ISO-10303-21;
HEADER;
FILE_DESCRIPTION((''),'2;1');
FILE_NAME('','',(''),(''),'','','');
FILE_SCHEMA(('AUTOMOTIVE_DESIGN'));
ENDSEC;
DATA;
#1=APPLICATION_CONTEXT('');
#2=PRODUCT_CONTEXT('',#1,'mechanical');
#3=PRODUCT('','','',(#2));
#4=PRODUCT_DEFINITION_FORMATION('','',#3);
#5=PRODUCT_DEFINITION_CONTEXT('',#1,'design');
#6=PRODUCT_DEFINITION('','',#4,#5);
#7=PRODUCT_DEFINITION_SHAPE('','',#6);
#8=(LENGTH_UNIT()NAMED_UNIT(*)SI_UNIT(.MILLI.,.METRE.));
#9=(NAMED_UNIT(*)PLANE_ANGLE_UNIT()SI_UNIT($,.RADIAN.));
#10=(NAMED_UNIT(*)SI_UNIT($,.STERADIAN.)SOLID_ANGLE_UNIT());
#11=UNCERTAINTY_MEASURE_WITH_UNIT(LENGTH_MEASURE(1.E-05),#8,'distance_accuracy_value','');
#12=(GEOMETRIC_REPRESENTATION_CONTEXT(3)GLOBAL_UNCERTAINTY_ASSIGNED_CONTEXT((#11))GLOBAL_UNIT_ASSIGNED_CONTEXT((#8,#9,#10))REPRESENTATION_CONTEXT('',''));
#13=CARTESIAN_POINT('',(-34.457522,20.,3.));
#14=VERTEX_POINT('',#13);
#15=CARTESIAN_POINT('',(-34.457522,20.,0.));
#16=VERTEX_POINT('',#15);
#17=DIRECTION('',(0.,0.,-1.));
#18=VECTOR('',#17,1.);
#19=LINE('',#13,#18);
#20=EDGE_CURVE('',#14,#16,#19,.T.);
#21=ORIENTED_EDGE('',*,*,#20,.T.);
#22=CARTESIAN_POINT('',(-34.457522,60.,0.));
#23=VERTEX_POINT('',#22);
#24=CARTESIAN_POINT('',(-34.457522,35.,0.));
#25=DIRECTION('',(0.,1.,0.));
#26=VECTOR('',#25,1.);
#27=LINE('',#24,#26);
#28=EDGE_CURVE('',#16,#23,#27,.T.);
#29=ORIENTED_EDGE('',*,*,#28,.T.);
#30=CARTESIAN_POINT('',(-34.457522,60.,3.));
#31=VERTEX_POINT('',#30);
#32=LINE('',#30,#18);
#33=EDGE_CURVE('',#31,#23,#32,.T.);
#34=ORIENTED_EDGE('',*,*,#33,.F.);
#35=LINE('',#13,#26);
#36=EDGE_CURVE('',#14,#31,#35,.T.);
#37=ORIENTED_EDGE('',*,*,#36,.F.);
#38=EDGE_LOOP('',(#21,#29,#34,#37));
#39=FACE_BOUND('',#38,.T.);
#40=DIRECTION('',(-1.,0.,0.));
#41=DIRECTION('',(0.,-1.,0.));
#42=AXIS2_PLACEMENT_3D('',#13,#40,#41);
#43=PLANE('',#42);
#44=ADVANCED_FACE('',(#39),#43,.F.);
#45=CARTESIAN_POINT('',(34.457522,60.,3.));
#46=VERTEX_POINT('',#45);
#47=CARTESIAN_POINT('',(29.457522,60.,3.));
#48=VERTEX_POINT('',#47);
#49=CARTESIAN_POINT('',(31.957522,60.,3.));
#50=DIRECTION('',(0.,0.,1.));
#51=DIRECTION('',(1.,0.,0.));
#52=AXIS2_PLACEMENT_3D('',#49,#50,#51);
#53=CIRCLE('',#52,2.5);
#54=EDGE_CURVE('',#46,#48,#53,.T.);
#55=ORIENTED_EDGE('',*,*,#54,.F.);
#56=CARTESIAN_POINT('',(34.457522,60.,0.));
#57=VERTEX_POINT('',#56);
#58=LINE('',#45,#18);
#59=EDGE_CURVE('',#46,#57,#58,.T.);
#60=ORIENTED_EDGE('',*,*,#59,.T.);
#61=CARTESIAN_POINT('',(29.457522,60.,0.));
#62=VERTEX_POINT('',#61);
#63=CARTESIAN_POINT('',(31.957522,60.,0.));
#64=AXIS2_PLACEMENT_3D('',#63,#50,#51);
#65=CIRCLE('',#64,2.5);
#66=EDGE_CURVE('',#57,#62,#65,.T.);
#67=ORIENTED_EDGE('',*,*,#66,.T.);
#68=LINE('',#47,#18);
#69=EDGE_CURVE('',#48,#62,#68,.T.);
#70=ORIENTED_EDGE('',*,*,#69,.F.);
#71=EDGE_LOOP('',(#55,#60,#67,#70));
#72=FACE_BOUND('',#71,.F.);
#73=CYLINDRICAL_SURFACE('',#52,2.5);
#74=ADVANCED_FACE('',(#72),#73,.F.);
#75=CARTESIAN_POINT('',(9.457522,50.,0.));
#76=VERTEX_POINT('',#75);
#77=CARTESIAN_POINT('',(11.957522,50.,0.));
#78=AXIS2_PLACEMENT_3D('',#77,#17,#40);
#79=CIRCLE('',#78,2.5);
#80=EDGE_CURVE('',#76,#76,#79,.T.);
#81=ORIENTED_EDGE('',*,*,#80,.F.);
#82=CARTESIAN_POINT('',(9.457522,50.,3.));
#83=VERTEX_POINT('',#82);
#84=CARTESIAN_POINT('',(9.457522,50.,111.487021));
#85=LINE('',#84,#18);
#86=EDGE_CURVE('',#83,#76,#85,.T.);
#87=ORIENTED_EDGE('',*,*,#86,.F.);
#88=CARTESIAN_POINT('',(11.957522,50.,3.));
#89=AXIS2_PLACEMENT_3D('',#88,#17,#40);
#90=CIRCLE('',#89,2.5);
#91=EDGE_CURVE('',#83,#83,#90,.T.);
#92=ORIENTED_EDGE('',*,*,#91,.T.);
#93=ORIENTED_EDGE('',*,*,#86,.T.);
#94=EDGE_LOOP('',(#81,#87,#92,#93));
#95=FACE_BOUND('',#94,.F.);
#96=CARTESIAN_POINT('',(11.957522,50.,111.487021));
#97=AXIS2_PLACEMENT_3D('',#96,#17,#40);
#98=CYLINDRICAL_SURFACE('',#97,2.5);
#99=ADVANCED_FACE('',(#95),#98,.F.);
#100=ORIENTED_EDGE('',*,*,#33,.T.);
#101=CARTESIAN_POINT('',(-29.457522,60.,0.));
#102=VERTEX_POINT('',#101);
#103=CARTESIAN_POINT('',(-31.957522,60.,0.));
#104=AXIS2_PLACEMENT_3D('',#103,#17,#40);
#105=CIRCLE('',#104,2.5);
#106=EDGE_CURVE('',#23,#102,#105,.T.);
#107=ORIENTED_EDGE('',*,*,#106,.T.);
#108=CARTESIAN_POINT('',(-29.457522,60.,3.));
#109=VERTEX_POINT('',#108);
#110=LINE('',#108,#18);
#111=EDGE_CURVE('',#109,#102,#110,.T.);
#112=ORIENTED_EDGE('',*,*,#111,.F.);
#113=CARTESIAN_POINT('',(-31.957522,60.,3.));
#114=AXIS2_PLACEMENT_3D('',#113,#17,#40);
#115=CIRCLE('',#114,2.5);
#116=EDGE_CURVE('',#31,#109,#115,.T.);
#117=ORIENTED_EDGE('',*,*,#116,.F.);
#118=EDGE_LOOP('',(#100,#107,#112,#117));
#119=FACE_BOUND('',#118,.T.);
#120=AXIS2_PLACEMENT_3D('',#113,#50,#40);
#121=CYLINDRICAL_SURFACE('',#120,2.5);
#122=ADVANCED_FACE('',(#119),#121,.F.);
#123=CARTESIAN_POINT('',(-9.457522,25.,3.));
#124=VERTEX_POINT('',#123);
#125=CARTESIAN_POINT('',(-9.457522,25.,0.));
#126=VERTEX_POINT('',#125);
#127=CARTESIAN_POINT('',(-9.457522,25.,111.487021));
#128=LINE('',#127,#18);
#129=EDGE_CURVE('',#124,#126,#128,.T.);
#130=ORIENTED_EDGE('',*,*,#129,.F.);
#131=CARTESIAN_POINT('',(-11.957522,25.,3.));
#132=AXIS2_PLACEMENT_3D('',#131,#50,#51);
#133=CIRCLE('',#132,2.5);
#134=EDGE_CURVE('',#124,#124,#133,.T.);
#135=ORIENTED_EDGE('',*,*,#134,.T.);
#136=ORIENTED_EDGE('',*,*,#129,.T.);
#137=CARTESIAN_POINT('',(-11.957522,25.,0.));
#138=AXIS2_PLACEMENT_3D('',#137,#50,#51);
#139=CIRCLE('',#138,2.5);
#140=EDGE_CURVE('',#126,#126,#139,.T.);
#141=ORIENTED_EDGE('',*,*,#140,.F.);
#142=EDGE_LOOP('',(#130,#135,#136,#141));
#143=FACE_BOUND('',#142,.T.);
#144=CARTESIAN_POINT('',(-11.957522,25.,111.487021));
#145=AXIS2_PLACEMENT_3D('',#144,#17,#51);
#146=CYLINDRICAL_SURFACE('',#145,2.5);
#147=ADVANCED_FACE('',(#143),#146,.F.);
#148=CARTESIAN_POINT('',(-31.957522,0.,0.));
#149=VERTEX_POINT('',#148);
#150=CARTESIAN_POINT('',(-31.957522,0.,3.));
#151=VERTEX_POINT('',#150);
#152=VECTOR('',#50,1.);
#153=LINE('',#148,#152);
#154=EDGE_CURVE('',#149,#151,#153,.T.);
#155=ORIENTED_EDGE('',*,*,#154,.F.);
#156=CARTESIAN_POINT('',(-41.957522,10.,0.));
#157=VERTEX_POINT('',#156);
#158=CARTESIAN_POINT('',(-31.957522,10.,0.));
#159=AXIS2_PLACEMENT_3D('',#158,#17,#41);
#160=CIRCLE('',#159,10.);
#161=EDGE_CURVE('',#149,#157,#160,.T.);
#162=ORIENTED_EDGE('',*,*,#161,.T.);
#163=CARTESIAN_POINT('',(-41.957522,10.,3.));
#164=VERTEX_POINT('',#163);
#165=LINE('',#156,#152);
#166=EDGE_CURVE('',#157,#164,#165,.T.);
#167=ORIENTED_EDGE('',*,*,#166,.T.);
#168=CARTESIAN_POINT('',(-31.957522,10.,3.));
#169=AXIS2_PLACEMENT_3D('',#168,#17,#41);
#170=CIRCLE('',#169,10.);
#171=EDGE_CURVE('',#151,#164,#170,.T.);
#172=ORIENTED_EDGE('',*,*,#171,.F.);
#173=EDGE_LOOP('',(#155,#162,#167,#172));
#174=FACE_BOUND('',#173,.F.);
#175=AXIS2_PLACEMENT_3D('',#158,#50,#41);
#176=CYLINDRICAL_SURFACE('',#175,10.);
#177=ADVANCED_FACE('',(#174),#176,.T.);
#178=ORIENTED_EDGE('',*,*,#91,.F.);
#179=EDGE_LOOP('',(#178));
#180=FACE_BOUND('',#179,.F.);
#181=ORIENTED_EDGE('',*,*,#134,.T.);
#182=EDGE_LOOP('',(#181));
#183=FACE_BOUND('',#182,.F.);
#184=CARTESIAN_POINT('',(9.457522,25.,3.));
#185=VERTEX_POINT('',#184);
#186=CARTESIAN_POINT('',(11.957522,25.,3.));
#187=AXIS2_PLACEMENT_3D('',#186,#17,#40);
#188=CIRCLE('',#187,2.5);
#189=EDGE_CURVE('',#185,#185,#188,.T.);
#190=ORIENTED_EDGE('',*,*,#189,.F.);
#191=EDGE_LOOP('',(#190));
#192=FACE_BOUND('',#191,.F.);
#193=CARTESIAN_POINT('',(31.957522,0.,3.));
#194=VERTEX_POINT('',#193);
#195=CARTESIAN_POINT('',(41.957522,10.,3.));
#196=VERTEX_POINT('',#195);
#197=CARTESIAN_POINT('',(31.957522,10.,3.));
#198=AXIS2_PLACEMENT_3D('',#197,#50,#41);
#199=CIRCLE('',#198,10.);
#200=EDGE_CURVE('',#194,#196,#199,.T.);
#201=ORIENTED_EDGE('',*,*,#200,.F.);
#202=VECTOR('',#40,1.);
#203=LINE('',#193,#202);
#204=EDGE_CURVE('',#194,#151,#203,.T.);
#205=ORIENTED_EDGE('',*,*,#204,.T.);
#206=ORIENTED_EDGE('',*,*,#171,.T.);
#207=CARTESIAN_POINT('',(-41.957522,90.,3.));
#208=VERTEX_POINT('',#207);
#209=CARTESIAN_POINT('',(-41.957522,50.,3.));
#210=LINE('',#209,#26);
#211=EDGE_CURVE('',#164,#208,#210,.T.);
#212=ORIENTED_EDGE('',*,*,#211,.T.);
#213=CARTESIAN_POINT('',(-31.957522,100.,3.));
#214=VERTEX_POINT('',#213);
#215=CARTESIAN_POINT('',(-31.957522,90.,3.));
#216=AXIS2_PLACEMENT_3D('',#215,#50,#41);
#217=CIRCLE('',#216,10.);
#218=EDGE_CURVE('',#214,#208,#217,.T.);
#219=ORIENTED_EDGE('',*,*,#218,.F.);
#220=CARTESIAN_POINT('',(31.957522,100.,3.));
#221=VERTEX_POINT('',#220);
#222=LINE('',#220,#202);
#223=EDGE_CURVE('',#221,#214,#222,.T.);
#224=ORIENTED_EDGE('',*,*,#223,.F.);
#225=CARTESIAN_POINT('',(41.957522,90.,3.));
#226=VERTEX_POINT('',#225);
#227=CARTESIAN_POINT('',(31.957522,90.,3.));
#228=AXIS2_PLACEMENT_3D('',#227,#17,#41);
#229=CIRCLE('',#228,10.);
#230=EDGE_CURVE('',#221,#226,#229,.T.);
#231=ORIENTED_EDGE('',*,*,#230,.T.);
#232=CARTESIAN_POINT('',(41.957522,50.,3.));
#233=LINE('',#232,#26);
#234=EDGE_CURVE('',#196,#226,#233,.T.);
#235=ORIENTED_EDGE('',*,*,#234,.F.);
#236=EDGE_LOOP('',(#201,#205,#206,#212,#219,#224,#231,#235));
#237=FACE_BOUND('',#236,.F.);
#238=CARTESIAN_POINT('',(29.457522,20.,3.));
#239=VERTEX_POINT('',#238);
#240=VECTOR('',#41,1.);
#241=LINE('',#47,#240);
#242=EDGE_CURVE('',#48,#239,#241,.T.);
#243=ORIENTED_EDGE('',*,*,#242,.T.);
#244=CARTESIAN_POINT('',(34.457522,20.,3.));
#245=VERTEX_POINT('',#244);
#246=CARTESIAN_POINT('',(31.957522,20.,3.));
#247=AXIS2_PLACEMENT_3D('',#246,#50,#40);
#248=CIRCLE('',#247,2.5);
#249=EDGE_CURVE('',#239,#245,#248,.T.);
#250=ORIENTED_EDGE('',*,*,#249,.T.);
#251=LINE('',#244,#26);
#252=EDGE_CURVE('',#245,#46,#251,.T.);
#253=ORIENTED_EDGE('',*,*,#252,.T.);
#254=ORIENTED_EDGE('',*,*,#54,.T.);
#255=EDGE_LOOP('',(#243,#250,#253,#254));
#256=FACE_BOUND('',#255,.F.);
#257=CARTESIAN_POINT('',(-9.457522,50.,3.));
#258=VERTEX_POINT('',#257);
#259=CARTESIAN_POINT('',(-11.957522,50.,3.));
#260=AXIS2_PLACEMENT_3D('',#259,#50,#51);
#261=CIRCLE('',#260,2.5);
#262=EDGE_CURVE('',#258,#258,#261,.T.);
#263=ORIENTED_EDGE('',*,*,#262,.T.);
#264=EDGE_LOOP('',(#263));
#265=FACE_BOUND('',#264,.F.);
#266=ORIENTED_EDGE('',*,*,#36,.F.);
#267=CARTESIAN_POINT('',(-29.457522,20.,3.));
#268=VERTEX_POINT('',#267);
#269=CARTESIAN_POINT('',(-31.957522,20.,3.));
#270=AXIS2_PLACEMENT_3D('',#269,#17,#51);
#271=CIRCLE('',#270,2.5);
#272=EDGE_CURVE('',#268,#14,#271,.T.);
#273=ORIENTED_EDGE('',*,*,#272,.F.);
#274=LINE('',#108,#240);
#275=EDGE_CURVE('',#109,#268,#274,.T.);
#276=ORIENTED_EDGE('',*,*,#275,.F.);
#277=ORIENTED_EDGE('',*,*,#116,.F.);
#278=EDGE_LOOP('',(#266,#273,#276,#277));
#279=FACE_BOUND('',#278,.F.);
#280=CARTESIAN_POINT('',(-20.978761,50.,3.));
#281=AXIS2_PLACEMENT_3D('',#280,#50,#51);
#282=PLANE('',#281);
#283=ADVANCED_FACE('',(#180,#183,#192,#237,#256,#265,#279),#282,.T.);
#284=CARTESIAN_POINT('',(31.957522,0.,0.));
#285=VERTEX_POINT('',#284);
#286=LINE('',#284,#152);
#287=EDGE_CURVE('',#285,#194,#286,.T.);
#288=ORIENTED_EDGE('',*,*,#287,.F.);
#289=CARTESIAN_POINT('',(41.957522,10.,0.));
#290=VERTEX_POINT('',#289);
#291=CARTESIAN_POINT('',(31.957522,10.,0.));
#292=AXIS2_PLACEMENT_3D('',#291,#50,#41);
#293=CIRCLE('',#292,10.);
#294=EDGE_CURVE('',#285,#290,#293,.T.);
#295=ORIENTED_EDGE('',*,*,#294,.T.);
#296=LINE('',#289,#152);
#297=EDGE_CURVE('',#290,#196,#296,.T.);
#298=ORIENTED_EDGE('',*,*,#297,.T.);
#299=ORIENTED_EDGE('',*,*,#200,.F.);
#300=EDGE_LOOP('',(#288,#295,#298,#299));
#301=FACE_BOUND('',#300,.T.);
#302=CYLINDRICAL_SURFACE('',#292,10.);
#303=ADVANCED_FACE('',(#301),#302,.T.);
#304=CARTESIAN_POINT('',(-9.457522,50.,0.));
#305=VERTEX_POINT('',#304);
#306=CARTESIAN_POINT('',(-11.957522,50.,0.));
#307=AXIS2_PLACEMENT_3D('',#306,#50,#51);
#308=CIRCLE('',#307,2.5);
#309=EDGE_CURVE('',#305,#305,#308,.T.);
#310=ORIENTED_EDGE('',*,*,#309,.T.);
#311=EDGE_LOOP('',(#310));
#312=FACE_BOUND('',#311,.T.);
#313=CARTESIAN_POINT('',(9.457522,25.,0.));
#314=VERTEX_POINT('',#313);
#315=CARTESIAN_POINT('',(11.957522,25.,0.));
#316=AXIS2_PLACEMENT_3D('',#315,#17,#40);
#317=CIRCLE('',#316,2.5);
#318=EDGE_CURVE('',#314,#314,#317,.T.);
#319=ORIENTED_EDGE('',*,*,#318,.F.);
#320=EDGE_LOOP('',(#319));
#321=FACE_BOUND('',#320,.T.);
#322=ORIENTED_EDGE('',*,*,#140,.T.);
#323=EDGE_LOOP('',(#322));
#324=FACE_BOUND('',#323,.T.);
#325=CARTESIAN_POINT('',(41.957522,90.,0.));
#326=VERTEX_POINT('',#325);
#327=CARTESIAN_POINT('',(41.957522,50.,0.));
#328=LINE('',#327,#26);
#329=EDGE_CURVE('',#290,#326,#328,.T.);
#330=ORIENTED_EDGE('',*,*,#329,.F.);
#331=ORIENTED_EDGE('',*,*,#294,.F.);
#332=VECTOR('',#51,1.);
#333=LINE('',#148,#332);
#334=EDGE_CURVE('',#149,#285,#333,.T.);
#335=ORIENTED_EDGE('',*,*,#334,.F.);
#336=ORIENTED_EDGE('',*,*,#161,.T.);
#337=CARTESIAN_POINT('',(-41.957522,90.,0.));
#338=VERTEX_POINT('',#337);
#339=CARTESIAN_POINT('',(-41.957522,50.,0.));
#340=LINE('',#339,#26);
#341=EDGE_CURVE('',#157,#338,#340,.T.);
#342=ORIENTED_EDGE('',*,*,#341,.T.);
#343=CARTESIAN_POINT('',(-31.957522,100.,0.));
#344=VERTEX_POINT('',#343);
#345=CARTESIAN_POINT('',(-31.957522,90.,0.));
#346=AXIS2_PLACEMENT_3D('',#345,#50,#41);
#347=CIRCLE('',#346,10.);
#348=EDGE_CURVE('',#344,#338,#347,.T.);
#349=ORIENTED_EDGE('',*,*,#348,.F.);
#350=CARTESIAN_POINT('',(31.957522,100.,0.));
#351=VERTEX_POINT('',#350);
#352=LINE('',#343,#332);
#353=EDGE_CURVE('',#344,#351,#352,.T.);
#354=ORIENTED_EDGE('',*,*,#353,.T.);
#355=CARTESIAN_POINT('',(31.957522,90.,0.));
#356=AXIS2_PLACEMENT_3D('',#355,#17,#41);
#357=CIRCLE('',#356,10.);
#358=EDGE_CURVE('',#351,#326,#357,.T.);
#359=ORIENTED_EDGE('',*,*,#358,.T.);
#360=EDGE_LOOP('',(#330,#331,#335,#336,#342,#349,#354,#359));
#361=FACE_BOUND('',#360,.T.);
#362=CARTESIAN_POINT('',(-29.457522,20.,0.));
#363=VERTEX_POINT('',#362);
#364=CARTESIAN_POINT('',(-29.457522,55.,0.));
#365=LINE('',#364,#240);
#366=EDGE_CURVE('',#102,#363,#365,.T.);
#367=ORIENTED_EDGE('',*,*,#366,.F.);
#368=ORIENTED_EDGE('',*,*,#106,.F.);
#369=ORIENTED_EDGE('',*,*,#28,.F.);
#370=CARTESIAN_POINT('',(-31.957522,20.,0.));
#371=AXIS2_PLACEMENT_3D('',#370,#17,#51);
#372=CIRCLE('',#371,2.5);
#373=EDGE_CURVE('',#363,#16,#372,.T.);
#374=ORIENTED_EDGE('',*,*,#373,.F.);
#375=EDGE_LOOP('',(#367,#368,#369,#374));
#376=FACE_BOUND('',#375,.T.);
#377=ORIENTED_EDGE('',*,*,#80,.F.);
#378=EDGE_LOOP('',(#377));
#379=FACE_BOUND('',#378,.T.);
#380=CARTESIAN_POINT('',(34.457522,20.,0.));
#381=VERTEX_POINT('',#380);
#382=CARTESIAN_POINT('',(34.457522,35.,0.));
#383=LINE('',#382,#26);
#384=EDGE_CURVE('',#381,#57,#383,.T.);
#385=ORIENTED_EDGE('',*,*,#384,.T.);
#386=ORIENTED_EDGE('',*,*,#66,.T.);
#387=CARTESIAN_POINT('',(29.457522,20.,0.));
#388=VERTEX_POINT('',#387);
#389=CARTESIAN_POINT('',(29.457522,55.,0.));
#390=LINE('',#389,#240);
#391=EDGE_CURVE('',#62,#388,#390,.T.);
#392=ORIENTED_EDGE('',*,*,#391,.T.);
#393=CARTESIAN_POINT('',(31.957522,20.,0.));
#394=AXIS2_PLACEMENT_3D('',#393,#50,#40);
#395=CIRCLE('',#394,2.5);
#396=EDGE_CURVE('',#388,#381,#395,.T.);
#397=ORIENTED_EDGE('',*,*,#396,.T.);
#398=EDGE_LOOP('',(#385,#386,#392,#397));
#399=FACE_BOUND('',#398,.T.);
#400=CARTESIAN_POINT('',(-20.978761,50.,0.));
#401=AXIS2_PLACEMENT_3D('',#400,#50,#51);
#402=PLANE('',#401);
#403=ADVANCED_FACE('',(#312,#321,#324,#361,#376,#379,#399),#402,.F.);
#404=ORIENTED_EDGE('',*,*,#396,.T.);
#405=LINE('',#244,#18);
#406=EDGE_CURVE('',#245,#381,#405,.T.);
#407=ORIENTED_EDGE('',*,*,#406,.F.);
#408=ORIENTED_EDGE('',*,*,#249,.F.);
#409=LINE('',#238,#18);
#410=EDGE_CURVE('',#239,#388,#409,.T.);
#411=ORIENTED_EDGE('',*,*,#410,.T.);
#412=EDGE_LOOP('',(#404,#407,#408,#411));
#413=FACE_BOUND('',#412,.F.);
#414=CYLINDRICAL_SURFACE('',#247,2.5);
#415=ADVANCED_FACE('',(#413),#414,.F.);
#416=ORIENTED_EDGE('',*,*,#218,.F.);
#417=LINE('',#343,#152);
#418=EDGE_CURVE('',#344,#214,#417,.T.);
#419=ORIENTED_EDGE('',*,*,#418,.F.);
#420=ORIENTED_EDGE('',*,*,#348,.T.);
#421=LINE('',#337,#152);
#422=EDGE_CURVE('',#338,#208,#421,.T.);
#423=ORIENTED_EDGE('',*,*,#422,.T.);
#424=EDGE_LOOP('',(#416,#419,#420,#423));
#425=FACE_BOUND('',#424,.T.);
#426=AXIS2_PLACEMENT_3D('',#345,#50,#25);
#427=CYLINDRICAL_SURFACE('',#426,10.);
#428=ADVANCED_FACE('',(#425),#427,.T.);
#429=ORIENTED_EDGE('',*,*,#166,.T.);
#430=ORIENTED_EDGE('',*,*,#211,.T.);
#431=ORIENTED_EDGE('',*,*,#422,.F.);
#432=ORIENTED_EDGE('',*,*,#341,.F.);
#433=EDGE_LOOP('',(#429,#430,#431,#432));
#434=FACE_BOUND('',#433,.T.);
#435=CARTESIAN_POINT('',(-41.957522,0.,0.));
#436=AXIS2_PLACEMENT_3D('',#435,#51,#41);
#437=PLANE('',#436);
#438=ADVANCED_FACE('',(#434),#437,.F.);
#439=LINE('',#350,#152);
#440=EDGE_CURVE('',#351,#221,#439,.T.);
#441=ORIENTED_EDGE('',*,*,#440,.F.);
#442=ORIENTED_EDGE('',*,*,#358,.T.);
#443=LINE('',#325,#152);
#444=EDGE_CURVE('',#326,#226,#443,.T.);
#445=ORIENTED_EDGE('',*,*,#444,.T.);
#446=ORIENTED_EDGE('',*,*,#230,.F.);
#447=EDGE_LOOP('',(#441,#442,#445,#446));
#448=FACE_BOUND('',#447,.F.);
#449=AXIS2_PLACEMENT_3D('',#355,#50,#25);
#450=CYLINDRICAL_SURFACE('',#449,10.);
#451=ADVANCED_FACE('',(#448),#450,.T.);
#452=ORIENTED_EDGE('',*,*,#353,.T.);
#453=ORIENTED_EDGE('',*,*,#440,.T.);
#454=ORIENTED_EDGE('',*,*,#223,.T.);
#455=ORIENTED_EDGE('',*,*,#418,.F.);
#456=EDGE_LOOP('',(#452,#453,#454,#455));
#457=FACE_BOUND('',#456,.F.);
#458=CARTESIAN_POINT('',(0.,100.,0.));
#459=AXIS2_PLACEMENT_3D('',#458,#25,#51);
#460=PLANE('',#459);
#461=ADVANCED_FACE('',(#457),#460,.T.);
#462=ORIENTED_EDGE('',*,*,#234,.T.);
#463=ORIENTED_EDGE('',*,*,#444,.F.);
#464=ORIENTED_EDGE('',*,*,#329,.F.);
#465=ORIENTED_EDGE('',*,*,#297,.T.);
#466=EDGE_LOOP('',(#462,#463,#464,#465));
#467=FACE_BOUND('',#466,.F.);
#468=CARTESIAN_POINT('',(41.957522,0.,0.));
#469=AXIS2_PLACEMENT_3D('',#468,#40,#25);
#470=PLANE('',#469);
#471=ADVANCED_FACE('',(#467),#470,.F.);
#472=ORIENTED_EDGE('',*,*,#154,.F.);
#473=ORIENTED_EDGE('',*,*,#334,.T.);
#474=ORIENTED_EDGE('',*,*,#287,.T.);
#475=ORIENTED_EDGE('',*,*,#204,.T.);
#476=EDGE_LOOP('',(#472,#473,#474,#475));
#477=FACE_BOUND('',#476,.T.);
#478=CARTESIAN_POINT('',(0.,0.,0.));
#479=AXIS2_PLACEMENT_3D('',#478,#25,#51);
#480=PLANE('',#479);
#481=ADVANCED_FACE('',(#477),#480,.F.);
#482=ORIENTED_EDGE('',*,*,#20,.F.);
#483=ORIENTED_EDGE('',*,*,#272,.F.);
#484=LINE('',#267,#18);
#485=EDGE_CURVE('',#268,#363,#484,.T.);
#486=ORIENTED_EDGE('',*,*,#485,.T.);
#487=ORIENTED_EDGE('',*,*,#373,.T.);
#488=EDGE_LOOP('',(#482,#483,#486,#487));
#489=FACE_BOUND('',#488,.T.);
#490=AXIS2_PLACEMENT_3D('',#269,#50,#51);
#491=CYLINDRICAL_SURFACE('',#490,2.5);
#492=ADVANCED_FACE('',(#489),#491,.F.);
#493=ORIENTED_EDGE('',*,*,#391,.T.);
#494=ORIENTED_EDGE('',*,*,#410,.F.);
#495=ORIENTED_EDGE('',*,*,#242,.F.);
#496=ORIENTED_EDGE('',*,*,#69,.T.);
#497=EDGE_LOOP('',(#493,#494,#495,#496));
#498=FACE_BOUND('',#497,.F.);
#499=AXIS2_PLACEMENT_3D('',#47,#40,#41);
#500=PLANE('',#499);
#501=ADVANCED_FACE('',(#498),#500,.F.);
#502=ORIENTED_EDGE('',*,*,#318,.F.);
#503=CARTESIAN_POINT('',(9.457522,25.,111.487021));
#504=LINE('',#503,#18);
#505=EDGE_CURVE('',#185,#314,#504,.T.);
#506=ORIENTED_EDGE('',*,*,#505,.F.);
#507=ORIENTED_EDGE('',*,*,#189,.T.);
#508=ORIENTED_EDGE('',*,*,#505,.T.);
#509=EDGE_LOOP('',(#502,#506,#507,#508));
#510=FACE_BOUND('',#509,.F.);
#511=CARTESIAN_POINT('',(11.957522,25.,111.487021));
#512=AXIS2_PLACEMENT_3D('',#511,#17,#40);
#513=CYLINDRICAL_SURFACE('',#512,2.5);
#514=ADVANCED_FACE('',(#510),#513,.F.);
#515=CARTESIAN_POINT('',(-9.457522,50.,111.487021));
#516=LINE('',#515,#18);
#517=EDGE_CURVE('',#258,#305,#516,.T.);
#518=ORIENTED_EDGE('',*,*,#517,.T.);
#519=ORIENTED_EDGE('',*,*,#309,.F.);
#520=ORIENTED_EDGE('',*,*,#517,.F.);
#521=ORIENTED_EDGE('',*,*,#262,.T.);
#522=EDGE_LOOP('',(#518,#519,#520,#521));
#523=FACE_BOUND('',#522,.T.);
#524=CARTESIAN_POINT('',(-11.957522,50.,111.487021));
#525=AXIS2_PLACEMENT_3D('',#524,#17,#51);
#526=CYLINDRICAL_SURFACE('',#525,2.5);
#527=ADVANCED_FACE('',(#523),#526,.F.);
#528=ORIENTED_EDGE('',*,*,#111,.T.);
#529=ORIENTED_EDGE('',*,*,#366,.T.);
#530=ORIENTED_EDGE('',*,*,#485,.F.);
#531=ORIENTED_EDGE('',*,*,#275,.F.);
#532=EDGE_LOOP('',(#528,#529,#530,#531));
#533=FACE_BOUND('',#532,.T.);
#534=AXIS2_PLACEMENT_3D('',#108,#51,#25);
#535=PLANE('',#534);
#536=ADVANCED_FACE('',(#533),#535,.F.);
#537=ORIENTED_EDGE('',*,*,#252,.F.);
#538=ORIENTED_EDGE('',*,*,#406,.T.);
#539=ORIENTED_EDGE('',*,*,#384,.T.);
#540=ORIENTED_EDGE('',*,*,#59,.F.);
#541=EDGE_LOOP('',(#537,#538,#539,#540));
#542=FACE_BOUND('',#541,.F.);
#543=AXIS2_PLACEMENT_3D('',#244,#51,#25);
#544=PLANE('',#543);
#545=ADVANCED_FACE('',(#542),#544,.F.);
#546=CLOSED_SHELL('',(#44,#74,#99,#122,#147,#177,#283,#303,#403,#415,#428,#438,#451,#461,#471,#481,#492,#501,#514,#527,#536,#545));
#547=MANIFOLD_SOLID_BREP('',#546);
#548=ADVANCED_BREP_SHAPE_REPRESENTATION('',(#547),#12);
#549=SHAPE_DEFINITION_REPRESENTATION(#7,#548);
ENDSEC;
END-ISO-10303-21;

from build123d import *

# Parameters (mm, degrees)
F0_W     = 41.957522
F0_H     = 100
F1_DEPTH = 3
F3_D     = 5
F6_DEPTH = 25
F7_R     = 10


with BuildPart() as f1:
    # F0 (on Top) → F1 (new body)
    with BuildSketch(Plane.XY):
        with Locations((20.978761, 50)):
            Rectangle(F0_W, F0_H)
    extrude(amount=F1_DEPTH)

    # F3 (through all)
    with Locations(Plane.XY.offset(3)):
        with Locations((11.957522, 50), (11.957522, 25)):
            Hole(F3_D / 2)

    # F5 (on face) → F6 (cut)
    with BuildSketch(Plane.XY.offset(3)):
        with BuildLine():
            ThreePointArc((29.457522, 20), (31.957522, 17.5), (34.457522, 20))
            Line((34.457522, 20), (34.457522, 60))
            ThreePointArc((34.457522, 60), (31.957522, 62.5), (29.457522, 60))
            Line((29.457522, 60), (29.457522, 20))
        make_face()
    extrude(amount=-F6_DEPTH, mode=Mode.SUBTRACT)

    # F7
    f7_edges = [f1.edges().sort_by_distance(p)[0] for p in [
        (41.957522, 0, 1.5),
        (41.957522, 100, 1.5),
    ]]
    fillet(f7_edges, radius=F7_R)

    # F8: F1 across plane


with BuildPart() as f1_1:
    add(f1.part)
    add(f1.part.mirror(Plane.YZ))


solid = f1_1.part
